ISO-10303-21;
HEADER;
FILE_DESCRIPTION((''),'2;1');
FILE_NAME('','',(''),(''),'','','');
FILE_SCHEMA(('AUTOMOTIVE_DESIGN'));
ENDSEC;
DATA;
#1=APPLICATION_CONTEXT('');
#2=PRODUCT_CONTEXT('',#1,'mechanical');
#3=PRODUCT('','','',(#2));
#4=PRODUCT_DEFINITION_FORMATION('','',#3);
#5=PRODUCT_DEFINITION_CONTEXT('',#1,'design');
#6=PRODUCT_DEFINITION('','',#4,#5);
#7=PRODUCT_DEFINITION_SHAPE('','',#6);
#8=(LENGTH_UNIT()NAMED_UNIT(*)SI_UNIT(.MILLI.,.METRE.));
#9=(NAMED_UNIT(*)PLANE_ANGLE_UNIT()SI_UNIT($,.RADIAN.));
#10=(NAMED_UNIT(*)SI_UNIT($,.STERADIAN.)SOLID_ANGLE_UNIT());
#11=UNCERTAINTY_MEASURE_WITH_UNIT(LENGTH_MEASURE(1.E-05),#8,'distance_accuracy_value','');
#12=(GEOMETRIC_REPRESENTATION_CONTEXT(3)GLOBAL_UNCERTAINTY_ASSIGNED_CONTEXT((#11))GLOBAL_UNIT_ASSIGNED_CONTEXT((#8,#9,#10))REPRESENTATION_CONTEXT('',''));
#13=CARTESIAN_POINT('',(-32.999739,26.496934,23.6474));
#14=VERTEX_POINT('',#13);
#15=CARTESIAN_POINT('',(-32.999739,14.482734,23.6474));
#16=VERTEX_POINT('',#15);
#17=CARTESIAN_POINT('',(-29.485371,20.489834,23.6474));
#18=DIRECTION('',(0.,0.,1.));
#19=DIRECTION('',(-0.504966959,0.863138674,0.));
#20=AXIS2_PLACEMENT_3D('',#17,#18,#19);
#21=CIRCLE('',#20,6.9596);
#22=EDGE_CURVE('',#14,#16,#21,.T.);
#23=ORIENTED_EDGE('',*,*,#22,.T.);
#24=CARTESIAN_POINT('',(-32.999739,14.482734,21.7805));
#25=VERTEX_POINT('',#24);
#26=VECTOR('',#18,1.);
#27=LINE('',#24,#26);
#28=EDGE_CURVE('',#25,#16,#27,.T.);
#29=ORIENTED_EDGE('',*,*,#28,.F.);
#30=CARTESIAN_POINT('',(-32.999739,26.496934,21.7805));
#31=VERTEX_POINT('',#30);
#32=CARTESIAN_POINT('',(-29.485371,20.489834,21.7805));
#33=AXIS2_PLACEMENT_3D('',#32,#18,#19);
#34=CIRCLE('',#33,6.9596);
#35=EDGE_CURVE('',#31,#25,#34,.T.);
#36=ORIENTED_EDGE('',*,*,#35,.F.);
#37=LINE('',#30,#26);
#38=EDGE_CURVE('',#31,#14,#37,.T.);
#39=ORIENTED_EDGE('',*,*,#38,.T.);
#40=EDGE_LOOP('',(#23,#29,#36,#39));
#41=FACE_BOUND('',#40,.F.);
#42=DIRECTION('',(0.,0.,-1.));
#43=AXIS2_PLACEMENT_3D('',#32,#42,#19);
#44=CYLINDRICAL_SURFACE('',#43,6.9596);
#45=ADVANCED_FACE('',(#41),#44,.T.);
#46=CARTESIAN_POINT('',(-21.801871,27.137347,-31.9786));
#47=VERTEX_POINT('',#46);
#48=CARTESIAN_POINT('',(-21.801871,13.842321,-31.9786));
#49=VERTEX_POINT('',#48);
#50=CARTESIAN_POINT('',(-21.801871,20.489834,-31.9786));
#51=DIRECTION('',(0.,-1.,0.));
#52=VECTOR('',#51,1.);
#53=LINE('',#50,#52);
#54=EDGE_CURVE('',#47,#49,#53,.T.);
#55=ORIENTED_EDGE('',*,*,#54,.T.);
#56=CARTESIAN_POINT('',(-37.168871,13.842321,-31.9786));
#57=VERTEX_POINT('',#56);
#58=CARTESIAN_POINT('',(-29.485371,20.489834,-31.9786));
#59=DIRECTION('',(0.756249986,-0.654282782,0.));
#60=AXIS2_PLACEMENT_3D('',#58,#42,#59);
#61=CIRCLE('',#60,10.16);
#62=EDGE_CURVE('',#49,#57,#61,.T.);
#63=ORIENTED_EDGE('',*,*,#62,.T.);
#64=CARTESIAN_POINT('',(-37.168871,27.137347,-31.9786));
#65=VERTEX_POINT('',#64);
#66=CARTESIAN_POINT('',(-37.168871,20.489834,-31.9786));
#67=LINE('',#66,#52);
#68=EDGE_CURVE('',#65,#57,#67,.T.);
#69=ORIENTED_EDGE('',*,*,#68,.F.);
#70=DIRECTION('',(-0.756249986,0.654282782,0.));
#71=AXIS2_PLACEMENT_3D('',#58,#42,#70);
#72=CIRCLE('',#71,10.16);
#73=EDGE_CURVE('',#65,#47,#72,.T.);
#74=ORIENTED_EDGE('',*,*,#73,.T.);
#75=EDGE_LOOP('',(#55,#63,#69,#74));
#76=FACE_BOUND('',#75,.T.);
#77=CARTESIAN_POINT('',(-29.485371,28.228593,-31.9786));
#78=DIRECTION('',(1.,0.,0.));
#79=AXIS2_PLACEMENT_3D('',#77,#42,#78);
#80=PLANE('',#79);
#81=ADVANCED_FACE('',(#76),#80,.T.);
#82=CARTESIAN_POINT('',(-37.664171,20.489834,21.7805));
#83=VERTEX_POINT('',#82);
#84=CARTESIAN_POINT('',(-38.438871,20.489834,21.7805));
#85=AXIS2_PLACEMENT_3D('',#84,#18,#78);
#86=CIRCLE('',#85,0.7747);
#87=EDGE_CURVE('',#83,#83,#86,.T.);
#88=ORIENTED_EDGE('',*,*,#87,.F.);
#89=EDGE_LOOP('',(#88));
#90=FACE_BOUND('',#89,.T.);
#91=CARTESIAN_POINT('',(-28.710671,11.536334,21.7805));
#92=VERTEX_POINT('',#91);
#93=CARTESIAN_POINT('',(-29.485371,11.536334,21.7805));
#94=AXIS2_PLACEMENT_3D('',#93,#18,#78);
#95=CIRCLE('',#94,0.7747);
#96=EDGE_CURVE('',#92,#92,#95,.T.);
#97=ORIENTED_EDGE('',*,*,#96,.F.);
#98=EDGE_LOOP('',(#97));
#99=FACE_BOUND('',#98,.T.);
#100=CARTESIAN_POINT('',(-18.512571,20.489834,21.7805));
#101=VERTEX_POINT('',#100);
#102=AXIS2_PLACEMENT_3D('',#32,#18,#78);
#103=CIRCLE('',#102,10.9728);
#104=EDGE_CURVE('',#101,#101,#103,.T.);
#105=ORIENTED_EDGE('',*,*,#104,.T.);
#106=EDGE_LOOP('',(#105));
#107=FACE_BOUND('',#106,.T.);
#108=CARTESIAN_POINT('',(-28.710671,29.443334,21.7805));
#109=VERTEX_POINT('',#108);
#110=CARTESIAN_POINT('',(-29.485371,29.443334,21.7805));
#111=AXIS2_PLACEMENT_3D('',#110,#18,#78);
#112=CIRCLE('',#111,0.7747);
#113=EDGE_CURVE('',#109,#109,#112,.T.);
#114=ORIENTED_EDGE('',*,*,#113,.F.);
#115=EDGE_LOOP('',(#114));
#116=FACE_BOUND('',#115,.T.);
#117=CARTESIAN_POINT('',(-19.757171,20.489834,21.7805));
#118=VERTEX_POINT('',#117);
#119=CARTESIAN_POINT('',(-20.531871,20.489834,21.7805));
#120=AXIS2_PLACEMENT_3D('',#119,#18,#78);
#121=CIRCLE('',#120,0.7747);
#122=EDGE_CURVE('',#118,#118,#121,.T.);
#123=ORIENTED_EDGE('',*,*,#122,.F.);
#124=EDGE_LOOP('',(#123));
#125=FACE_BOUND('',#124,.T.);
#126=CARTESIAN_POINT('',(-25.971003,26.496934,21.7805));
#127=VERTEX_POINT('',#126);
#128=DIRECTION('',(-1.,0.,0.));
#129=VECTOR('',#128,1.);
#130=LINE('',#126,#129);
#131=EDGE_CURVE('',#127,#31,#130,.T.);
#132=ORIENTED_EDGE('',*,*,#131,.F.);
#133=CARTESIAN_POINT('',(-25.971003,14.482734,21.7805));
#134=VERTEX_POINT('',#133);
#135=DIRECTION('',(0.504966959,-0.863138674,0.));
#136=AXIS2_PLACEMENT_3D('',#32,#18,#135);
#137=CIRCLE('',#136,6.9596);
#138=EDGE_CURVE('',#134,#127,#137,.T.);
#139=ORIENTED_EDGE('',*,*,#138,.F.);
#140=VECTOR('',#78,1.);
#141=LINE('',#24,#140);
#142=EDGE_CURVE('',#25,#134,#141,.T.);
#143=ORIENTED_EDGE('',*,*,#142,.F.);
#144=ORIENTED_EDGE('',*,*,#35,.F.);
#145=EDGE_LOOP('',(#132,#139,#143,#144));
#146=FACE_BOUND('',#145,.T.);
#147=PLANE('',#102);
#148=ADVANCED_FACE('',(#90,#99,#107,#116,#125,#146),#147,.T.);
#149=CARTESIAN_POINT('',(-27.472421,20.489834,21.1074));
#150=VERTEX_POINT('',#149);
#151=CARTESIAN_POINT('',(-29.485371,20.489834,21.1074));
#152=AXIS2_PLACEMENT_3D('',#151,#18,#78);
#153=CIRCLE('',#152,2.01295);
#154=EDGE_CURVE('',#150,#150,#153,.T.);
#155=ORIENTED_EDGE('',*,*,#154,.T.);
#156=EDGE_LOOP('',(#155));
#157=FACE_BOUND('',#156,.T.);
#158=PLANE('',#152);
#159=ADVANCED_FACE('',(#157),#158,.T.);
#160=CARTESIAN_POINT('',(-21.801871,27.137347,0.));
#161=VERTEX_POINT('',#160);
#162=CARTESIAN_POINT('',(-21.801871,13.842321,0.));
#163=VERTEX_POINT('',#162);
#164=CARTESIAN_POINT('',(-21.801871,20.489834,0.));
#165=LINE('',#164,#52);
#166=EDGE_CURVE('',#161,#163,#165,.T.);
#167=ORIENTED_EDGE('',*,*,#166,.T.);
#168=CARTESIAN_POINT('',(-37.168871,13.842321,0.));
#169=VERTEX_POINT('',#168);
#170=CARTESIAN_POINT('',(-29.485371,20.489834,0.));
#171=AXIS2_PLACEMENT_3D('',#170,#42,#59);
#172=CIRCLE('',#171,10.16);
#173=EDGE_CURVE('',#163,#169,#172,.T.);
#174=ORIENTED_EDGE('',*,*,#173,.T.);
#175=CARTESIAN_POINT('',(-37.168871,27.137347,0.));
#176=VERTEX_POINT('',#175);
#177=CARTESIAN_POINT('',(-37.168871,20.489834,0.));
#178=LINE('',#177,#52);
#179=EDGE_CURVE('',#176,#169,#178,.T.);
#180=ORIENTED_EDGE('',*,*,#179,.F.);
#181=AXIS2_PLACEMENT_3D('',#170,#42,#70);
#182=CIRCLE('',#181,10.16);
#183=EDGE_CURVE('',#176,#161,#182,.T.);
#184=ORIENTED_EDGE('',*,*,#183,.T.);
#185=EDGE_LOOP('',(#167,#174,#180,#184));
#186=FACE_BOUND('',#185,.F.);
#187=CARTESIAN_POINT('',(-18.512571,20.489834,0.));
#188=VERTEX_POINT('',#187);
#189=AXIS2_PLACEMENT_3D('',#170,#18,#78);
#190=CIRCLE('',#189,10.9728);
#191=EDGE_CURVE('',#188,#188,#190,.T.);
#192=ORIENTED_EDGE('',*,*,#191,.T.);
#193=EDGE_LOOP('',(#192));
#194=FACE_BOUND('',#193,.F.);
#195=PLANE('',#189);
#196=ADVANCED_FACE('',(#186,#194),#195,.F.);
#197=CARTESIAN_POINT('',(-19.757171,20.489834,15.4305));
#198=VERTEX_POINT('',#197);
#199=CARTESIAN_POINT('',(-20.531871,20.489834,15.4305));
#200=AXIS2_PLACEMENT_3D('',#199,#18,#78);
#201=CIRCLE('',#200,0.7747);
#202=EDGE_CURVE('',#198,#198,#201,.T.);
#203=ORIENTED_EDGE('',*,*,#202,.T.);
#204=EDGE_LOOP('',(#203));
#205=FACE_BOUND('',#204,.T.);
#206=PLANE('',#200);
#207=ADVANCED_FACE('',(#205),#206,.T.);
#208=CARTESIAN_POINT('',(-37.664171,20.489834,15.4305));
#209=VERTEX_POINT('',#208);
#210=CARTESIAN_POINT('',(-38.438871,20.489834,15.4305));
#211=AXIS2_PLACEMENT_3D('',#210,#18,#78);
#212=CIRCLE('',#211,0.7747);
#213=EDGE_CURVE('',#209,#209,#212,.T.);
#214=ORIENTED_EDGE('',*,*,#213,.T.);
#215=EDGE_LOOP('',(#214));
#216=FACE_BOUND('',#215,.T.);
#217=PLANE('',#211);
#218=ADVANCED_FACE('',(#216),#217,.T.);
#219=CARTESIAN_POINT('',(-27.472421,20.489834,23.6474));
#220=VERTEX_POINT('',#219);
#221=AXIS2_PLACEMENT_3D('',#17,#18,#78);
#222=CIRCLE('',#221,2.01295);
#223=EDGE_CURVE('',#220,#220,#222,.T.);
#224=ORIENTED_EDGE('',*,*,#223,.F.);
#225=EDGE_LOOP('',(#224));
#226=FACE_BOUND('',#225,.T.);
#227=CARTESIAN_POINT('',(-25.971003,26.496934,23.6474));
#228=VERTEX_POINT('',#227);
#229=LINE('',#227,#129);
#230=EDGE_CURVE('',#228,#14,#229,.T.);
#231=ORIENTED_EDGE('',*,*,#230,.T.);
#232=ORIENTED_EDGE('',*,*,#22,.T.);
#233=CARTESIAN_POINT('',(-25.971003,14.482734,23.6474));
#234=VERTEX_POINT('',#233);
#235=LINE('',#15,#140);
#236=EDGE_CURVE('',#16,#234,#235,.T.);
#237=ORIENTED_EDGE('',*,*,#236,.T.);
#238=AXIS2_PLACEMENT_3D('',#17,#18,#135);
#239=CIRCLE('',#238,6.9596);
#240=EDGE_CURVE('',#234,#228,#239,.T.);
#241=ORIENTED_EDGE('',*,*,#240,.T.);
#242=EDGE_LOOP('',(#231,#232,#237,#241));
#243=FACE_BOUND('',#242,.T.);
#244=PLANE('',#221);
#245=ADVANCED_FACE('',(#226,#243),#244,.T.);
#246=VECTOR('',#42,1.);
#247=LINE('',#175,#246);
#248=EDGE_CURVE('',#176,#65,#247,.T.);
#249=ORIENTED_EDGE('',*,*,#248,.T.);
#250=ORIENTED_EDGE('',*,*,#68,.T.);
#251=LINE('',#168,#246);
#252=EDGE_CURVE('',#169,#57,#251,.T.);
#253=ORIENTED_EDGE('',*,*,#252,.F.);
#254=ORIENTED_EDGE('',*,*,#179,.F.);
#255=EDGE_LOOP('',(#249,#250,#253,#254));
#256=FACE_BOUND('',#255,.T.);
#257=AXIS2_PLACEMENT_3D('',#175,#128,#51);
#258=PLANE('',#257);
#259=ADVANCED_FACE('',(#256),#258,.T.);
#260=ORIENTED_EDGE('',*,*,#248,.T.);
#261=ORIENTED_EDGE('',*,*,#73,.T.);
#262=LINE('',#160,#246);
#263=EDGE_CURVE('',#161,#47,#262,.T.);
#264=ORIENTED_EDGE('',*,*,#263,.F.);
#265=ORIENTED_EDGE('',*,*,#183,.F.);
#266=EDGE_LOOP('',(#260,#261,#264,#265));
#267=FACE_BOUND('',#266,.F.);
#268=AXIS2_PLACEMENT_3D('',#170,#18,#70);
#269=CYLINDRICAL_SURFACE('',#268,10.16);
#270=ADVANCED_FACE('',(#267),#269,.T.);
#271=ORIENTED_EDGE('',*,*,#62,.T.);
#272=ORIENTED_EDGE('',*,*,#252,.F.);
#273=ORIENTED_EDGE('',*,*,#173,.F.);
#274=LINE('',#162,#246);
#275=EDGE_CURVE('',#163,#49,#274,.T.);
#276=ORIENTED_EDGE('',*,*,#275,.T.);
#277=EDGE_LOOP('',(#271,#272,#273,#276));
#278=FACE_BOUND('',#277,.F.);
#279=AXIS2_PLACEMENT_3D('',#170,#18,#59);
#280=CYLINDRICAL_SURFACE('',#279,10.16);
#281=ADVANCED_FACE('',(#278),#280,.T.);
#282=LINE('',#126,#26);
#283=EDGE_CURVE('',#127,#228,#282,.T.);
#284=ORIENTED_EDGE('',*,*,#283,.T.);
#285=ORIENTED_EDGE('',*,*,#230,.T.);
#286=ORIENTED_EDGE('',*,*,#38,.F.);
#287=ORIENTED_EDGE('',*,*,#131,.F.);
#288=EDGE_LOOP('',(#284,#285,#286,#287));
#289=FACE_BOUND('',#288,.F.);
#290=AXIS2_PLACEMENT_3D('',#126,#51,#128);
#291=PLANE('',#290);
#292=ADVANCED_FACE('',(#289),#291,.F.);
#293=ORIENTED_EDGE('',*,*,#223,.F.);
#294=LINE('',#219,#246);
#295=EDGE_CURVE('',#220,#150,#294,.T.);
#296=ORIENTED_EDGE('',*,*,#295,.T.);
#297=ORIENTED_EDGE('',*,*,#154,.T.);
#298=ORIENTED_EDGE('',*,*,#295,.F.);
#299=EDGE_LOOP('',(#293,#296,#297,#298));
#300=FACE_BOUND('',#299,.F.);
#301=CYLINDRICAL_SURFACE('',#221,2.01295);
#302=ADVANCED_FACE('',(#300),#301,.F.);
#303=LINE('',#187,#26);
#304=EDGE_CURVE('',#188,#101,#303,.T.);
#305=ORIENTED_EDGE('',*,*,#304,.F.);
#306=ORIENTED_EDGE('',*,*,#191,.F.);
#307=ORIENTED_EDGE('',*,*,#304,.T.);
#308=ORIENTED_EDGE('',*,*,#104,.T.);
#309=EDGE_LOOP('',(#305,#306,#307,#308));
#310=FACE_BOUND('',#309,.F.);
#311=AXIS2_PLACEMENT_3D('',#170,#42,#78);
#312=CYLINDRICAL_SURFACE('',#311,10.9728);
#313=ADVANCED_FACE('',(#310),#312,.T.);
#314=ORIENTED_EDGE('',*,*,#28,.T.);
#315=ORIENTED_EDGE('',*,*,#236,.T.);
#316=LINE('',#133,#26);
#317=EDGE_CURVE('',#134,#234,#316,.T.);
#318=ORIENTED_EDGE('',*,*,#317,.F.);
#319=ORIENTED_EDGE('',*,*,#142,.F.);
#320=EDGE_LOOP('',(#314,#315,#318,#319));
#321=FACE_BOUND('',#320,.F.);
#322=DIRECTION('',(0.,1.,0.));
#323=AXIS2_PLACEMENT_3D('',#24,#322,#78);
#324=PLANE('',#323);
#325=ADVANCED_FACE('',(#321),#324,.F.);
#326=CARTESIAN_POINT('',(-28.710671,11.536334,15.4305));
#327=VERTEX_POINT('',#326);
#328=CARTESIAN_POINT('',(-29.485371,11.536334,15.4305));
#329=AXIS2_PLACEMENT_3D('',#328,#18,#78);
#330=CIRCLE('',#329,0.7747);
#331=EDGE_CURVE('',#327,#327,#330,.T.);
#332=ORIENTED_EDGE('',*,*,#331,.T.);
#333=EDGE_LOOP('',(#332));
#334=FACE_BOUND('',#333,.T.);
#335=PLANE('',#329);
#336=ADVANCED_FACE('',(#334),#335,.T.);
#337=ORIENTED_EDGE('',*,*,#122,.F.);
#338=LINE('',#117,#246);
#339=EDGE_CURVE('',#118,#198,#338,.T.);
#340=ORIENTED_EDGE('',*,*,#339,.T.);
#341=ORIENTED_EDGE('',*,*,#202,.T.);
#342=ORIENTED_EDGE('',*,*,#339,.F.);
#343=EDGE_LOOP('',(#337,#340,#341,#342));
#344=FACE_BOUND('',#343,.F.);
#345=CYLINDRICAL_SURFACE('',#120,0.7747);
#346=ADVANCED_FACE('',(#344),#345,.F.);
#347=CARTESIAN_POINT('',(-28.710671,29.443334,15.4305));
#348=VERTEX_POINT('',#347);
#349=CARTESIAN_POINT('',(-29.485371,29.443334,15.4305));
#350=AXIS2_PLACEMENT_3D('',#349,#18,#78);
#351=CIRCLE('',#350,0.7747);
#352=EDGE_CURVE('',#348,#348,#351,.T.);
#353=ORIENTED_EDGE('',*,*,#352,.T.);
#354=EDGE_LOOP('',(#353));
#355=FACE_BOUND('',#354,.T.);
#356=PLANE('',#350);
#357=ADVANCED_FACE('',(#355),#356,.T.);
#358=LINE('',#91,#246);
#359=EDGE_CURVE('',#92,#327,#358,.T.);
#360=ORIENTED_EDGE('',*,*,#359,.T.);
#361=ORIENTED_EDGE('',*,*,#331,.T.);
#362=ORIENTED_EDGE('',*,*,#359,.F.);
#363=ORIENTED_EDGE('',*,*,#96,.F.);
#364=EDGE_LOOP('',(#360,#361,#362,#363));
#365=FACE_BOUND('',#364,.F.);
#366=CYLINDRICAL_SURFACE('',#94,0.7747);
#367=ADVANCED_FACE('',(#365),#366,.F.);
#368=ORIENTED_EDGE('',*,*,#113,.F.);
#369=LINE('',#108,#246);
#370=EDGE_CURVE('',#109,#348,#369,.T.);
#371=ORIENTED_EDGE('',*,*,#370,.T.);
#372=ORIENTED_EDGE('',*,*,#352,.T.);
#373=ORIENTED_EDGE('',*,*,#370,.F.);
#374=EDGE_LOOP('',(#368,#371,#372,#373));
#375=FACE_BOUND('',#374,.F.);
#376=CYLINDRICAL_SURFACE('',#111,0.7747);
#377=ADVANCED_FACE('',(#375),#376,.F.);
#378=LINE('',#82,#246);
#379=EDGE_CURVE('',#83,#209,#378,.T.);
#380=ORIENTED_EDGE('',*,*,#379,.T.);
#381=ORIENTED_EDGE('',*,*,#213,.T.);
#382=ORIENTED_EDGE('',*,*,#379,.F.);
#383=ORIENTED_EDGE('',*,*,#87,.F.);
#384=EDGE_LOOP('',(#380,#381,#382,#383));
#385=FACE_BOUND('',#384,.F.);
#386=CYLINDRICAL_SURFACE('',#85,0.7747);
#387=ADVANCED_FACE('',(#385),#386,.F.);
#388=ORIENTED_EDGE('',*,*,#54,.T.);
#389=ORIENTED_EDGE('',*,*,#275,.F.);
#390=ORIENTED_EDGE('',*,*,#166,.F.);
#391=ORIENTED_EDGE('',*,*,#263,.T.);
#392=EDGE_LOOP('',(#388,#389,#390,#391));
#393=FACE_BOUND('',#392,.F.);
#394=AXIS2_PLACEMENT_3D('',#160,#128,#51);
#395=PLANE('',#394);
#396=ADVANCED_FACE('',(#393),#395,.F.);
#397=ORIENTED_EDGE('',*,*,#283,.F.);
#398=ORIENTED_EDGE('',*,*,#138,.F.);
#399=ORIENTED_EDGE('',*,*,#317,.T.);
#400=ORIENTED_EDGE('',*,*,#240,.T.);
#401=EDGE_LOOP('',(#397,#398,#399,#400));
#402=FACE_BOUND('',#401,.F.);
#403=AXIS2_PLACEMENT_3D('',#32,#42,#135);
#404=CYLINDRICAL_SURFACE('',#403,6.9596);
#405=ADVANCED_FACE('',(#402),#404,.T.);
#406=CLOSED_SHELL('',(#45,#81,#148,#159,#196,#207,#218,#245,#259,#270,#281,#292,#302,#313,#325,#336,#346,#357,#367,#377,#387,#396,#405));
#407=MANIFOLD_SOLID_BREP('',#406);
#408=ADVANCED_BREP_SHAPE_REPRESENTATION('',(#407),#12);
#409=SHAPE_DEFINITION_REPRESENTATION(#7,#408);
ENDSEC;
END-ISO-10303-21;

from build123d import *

# Parameters (mm, degrees)
F0_R     = 10.9728
F1_DEPTH = 21.7805
F2_R     = 0.7747
F3_DEPTH = 6.35
F5_DEPTH = 1.8669
F6_R     = 2.01295
F7_DEPTH = 2.54
F8_W     = 15.367
F8_H     = 13.295026
F9_DEPTH = 31.9786


with BuildPart() as f1:
    # F0 (on Top) → F1 (new body)
    with BuildSketch(Plane.XY):
        with Locations((-29.485371, 20.489834)):
            Circle(F0_R)
    extrude(amount=F1_DEPTH)

    # F2 (on face) → F3 (cut)
    with BuildSketch(Plane.XY.offset(21.7805)):
        with Locations((-38.438871, 20.489834)):
            Circle(F2_R)
        with Locations((-29.485371, 11.536334)):
            Circle(F2_R)
        with Locations((-20.531871, 20.489834)):
            Circle(F2_R)
        with Locations((-29.485371, 29.443334)):
            Circle(F2_R)
    extrude(amount=-F3_DEPTH, mode=Mode.SUBTRACT)

    # F4 (on face) → F5 (join)
    with BuildSketch(Plane.XY.offset(21.7805)):
        with BuildLine():
            Line((-32.999739, 14.482734), (-25.971003, 14.482734))
            ThreePointArc((-25.971003, 14.482734), (-22.525771, 20.489834), (-25.971003, 26.496934))
            Line((-25.971003, 26.496934), (-32.999739, 26.496934))
            ThreePointArc((-32.999739, 26.496934), (-36.444971, 20.489834), (-32.999739, 14.482734))
        make_face()
    extrude(amount=F5_DEPTH)

    # F6 (on face) → F7 (cut)
    with BuildSketch(Plane.XY.offset(23.6474)):
        with Locations((-29.485371, 20.489834)):
            Circle(F6_R)
    extrude(amount=-F7_DEPTH, mode=Mode.SUBTRACT)

    # F8 (on face) → F9 (join)
    with BuildSketch(Plane(origin=(0, 0, 0), x_dir=(1, 0, 0), z_dir=(0, 0, -1))):
        with BuildLine():
            ThreePointArc((-37.168871, -27.137347), (-29.485371, -30.649834), (-21.801871, -27.137347))
            Line((-21.801871, -27.137347), (-37.168871, -27.137347))
        make_face()
        with Locations((-29.485371, -20.489834)):
            Rectangle(F8_W, F8_H)
        with BuildLine():
            Line((-37.168871, -13.842321), (-21.801871, -13.842321))
            ThreePointArc((-21.801871, -13.842321), (-29.485371, -10.329834), (-37.168871, -13.842321))
        make_face()
    extrude(amount=F9_DEPTH)


solid = f1.part
